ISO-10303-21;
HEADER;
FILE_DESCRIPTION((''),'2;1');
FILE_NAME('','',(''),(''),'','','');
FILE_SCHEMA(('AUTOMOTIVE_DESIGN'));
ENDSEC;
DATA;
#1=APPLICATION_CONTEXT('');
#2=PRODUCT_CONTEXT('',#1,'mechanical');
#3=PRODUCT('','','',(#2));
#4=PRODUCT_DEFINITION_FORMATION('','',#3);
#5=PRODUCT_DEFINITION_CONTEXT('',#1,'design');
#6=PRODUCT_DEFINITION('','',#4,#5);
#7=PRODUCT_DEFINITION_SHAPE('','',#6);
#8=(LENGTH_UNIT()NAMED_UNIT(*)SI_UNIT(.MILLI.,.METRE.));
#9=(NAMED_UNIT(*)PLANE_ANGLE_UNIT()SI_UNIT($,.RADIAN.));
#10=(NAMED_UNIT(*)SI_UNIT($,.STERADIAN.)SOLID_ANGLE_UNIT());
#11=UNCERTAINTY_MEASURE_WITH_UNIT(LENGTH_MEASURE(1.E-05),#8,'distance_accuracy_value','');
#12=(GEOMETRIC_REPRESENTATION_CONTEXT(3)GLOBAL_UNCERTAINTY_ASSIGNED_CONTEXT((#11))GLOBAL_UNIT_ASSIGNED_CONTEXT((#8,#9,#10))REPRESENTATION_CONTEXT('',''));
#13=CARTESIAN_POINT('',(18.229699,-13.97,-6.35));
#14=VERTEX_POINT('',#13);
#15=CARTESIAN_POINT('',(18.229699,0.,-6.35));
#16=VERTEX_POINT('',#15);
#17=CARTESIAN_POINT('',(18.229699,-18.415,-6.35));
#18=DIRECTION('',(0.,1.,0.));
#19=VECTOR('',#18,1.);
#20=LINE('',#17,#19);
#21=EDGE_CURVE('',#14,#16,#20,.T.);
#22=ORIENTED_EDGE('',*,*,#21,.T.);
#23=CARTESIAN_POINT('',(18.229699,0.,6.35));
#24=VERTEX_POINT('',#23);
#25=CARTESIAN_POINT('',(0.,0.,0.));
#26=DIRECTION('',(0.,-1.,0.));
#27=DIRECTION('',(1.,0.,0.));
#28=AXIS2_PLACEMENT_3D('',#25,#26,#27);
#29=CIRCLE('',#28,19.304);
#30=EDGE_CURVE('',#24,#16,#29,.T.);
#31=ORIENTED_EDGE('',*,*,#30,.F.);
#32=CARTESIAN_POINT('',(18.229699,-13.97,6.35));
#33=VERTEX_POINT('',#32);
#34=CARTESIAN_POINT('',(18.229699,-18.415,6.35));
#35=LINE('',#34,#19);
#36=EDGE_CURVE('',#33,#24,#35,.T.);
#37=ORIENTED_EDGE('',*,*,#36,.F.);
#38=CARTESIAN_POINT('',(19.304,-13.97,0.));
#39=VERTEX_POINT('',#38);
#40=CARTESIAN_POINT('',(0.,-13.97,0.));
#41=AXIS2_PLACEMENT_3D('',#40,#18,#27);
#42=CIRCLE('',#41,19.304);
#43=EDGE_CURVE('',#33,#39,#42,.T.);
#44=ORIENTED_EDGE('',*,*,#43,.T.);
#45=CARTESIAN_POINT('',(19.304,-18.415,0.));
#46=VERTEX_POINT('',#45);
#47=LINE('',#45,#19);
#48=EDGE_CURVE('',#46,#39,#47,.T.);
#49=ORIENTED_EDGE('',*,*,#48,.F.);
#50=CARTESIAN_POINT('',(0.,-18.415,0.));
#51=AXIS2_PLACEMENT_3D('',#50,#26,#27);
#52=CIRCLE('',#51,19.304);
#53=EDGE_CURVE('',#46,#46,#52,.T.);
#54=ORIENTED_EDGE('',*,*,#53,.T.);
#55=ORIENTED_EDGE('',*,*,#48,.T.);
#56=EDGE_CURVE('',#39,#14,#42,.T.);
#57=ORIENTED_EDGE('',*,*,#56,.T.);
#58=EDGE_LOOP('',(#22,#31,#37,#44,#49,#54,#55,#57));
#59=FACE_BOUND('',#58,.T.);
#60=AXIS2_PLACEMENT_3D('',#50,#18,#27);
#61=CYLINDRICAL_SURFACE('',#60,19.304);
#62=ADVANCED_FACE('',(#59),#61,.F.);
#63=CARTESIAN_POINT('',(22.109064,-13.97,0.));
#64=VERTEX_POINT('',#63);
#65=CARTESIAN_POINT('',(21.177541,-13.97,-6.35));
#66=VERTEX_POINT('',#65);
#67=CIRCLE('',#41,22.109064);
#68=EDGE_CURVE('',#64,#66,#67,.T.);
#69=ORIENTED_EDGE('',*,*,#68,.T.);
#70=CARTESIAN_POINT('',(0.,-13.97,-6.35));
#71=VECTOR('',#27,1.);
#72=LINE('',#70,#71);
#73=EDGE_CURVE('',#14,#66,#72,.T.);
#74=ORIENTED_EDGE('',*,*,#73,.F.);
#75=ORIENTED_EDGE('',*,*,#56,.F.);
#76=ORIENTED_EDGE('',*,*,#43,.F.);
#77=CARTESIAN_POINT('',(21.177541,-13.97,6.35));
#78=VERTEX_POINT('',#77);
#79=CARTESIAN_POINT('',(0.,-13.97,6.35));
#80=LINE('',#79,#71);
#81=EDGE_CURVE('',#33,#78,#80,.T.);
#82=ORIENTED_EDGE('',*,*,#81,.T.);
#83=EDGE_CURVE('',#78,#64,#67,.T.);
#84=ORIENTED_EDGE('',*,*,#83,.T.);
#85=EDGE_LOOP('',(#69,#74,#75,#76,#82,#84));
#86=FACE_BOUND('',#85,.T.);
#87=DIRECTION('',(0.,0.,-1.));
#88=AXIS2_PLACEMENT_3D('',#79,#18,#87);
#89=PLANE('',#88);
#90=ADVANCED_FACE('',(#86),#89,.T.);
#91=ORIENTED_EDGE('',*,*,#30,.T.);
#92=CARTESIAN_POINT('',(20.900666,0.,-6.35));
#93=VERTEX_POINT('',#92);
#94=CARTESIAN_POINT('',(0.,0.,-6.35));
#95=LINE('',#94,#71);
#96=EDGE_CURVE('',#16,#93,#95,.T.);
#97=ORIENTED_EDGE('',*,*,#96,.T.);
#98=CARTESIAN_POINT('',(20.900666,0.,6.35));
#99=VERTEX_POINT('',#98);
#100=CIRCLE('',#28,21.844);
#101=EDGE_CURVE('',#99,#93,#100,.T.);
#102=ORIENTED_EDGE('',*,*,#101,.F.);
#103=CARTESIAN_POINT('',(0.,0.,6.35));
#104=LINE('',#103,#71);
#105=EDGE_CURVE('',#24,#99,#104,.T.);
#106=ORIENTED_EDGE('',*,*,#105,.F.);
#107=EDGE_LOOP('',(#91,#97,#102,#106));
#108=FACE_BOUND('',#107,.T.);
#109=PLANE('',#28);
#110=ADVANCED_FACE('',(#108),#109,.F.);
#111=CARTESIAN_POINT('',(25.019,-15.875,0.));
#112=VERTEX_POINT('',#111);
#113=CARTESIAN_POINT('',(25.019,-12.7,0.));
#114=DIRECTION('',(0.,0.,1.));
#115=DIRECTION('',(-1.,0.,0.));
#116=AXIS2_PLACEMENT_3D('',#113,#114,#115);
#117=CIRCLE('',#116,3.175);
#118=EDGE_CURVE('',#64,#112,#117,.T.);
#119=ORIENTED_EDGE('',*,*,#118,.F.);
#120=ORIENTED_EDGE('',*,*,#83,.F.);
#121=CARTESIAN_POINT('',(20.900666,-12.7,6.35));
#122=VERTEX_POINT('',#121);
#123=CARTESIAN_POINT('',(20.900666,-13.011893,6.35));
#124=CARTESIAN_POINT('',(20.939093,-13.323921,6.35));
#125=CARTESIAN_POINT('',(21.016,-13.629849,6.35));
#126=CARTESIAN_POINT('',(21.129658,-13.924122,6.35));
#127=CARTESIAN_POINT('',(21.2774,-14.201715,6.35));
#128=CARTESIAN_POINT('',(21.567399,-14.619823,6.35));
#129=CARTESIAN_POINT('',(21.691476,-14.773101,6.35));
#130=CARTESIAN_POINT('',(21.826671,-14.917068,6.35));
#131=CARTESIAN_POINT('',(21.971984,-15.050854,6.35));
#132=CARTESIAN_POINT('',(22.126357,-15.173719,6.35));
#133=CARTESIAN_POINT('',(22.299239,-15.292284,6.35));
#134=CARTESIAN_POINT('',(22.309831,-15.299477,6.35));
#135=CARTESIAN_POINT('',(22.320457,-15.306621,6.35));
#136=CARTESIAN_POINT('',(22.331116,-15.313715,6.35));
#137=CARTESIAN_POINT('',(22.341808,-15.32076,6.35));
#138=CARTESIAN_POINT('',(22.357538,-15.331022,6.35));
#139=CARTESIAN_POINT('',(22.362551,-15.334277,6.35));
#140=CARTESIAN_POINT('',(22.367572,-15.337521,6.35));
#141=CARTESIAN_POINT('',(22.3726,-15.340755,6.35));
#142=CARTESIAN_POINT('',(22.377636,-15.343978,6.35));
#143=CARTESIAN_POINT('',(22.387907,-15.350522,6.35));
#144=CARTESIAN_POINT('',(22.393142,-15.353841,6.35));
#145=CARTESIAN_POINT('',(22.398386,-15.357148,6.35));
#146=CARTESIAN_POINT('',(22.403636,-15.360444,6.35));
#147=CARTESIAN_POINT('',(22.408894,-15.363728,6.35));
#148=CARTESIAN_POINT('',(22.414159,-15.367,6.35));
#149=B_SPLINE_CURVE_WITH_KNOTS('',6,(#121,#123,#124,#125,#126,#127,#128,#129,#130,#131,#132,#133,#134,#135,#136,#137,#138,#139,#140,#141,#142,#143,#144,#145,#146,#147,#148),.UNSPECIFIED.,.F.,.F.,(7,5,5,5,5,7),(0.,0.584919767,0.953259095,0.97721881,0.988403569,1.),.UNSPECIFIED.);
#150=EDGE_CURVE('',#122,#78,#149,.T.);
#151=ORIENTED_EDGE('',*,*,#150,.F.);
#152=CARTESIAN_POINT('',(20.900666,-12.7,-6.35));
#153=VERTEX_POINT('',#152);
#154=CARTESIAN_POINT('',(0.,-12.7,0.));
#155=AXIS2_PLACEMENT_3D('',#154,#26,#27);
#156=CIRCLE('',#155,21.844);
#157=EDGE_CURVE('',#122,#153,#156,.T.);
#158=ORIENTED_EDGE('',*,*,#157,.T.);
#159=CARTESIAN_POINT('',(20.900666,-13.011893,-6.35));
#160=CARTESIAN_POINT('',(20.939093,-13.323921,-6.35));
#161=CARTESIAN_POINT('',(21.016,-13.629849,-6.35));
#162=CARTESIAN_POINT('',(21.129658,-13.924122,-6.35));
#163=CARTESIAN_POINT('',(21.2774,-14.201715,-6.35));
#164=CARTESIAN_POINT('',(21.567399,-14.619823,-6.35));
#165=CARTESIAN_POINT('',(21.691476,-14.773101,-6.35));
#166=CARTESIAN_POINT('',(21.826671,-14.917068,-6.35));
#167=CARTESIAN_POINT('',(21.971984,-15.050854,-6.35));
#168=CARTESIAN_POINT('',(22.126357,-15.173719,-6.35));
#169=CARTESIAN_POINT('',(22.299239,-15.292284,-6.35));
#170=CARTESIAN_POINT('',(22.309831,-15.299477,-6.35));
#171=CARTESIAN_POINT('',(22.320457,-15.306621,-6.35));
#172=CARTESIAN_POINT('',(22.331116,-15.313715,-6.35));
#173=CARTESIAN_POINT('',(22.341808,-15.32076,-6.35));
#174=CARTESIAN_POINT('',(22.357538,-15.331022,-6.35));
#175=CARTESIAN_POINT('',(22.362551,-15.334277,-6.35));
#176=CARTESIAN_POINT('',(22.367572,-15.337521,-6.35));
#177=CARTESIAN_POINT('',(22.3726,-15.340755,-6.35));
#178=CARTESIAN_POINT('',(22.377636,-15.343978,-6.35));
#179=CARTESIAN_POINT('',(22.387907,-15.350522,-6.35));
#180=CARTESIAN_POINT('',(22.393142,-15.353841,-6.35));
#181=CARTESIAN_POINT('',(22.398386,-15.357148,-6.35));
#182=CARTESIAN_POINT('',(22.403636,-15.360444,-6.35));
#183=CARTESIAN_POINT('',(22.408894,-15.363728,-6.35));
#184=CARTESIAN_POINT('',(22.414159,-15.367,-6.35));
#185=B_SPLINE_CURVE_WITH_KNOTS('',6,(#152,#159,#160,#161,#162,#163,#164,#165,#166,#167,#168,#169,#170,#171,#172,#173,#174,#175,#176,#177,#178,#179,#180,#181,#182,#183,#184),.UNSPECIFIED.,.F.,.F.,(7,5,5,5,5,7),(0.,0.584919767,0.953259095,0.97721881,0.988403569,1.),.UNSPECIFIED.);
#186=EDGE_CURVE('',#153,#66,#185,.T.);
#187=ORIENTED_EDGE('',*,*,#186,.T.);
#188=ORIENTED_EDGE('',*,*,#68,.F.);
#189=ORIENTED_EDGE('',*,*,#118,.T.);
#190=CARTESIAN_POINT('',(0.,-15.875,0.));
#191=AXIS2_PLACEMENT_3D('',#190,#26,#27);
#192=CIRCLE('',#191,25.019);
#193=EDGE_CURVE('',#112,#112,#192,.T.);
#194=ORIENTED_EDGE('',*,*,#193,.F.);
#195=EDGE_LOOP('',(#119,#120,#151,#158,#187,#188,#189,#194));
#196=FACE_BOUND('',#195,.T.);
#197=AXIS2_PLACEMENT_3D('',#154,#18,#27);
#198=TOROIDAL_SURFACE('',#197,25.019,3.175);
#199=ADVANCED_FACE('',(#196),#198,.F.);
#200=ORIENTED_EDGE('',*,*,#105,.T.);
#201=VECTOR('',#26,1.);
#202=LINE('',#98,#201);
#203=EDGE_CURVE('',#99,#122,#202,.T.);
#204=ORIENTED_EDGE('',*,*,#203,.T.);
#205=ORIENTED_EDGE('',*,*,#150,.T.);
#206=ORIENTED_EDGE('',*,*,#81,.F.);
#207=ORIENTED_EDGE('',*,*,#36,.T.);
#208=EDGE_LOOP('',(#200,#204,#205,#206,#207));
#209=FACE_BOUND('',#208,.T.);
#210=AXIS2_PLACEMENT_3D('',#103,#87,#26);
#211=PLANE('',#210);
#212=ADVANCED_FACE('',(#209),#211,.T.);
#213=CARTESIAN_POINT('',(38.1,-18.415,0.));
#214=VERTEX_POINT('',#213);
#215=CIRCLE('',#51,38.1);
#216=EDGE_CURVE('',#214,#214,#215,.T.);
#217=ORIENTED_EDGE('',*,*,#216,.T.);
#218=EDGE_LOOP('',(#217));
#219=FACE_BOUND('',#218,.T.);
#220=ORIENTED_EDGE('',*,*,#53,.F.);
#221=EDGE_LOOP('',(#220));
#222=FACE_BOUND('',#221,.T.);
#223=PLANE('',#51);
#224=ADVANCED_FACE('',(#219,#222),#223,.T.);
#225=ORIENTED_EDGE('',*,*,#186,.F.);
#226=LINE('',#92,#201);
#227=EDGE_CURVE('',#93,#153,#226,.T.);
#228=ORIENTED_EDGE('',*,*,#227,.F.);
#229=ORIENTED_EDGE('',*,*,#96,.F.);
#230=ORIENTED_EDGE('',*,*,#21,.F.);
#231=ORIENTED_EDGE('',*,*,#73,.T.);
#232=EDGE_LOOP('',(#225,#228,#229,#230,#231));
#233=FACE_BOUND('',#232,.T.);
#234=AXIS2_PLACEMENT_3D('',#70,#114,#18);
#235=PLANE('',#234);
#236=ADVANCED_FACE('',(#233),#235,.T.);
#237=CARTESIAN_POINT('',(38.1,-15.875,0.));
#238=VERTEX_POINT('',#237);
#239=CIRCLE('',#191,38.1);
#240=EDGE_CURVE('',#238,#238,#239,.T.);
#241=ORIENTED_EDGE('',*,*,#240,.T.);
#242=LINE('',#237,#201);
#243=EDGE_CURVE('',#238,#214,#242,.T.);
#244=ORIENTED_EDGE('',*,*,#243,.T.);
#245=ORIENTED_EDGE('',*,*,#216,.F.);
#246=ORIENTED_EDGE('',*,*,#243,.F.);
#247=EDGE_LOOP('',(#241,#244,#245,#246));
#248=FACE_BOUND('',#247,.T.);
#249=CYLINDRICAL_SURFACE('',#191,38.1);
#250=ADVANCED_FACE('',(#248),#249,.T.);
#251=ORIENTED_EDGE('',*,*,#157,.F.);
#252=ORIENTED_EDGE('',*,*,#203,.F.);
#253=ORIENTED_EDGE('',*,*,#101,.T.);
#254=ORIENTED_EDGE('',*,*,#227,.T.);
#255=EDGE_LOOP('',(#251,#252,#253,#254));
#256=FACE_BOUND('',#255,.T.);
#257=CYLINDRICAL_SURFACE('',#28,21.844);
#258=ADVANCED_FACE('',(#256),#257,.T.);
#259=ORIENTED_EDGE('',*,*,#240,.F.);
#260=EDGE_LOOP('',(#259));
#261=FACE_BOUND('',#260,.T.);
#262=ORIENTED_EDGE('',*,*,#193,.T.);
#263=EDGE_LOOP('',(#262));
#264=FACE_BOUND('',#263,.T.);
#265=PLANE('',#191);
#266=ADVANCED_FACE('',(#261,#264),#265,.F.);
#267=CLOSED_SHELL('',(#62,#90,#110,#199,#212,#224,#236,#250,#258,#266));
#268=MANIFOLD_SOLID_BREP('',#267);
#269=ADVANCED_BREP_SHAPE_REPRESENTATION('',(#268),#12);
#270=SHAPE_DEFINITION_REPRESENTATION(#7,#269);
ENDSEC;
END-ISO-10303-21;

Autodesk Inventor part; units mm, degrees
ref_plane "YZ Plane" through (0, 0, 0) normal (1, 0, 0) x (0, 1, 0)
ref_plane "XZ Plane" through (0, 0, 0) normal (0, 1, 0) x (-1, 0, 0)
ref_plane "XY Plane" through (0, 0, 0) normal (0, 0, 1) x (1, 0, 0)
sketch "Sketch1" plane through (0, 0, 0) normal (0, 0, 1) x (1, 0, 0)
  line L0 (21.844, 0) -> (21.844, -12.7)
  line L1 (25.019, -15.875) -> (38.1, -15.875)
  line L2 (38.1, -15.875) -> (38.1, -18.415)
  line L3 (38.1, -18.415) -> (19.304, -18.415)
  line L4 (19.304, -18.415) -> (19.304, 0)
  line L5 (19.304, 0) -> (21.844, 0)
  line L6 (0, 0) -> (27.9096, 0) construction
  arc A0 (21.844, -12.7) -> (25.019, -15.875) centre (25.019, -12.7) ccw
  line L7 (0, 0) -> (0, -18.415) construction
  dimension "d0" = 19.304
  dimension "d1" = 18.415
  dimension "d2" = 2.54
  dimension "d3" = 2.54
  dimension "d5" = 3.175
  dimension "d9" = 38.1
revolve "Revolution1" add sketch "Sketch1" angle 360 about axis through (0, 0, 0) along (0, -1, 0)
sketch "Sketch2" plane through (0, 0, 0) normal (1, 0, 0) x (0, 1, 0)
  line L0 (0, 0) -> (-26.67, 0) construction
  line L1 (-13.97, -6.35) -> (0, -6.35)
  line L2 (0, -6.35) -> (0, 6.35)
  line L3 (0, 6.35) -> (-13.97, 6.35)
  line L4 (-13.97, 6.35) -> (-13.97, -6.35)
  line L5 (-13.97, -6.35) -> (0, 6.35) construction
  line L6 (0, -6.35) -> (-13.97, 6.35) construction
  line L7 (0, 19.304) -> (0, -19.304) projected
  point P0 (-6.985, 0)
  dimension "d10" = 12.7
  dimension "d11" = 13.97
  dimension "d12" = 0
extrude "Extrusion1" cut sketch "Sketch2" along normal blind 22.86
properties part number "customWasher"
